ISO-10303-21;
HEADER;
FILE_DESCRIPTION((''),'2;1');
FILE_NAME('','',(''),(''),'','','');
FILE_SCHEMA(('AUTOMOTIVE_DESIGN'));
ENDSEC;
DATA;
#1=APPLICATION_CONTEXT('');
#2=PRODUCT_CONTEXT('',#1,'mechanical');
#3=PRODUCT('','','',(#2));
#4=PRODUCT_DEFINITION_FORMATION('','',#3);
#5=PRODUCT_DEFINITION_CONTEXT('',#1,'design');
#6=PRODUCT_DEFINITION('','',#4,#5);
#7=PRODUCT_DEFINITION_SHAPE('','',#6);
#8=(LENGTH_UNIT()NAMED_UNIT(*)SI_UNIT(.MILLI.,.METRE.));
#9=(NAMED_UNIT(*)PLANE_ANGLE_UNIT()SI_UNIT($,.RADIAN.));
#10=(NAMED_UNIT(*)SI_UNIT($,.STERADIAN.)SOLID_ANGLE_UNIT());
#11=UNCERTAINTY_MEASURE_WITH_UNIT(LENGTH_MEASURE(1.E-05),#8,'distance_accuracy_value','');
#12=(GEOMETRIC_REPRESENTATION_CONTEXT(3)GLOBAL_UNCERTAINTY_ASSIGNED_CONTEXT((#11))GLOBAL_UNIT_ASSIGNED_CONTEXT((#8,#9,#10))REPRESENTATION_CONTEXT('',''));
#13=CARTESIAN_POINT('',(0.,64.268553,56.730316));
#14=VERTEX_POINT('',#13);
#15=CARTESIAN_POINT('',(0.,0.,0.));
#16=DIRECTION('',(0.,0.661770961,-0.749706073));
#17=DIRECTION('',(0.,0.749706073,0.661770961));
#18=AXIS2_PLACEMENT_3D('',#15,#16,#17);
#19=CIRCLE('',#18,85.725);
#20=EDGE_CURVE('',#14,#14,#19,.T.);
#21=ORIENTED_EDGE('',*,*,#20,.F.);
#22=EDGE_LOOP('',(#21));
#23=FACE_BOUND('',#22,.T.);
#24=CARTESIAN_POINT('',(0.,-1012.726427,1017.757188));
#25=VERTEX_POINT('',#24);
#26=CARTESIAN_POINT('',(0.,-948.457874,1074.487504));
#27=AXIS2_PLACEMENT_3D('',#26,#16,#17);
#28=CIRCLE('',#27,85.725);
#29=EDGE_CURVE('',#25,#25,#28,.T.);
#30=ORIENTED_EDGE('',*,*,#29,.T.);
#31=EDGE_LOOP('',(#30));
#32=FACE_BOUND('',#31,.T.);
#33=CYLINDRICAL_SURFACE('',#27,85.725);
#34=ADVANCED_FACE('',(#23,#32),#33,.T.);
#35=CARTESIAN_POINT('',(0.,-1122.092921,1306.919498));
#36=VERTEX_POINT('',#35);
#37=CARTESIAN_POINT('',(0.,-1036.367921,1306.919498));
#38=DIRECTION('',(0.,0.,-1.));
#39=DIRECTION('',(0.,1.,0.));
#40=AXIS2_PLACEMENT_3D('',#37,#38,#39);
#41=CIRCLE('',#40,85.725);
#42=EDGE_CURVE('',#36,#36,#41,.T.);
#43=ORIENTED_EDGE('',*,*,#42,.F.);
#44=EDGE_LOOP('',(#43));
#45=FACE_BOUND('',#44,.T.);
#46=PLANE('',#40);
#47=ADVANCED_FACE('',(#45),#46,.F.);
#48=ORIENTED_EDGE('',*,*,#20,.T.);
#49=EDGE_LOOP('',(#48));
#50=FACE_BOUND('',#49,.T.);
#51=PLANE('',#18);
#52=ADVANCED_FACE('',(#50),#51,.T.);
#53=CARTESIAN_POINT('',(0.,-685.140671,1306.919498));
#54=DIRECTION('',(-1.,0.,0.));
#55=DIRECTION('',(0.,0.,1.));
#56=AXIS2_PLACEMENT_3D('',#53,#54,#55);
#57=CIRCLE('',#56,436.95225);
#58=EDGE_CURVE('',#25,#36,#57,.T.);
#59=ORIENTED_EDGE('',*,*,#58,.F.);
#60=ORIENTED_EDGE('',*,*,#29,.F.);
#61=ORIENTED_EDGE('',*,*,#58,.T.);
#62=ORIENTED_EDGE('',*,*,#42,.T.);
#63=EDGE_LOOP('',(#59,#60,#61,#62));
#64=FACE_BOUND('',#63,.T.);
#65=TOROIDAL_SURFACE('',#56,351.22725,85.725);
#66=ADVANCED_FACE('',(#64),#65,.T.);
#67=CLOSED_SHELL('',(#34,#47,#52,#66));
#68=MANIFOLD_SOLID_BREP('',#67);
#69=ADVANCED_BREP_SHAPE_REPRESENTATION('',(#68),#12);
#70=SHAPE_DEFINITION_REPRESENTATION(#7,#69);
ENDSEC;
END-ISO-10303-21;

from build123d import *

# Parameters (mm, degrees)
SKETCH2_R = 85.725


with BuildPart() as part:
    # Sweep1: sweep along a path in Sketch1
    with BuildLine(Plane(origin=(0, 0, 0), x_dir=(0, 0, -1), z_dir=(1, 0, 0))) as sweep1_path:
        Line((0, 0), (-1074.487503675, -948.457873533))
        ThreePointArc((-1074.487503675, -948.457873533), (-1182.668936297, -1013.656087924), (-1306.919498271, -1036.367921258))
    # Sketch2 → Sweep1 (sweep)
    with BuildSketch(Plane(origin=(0, 0, 0), x_dir=(-1, 0, 0), z_dir=(0, 0.6617709607020787, -0.7497060727854936))):
        Circle(SKETCH2_R)
    sweep(path=sweep1_path.line)


solid = part.part
